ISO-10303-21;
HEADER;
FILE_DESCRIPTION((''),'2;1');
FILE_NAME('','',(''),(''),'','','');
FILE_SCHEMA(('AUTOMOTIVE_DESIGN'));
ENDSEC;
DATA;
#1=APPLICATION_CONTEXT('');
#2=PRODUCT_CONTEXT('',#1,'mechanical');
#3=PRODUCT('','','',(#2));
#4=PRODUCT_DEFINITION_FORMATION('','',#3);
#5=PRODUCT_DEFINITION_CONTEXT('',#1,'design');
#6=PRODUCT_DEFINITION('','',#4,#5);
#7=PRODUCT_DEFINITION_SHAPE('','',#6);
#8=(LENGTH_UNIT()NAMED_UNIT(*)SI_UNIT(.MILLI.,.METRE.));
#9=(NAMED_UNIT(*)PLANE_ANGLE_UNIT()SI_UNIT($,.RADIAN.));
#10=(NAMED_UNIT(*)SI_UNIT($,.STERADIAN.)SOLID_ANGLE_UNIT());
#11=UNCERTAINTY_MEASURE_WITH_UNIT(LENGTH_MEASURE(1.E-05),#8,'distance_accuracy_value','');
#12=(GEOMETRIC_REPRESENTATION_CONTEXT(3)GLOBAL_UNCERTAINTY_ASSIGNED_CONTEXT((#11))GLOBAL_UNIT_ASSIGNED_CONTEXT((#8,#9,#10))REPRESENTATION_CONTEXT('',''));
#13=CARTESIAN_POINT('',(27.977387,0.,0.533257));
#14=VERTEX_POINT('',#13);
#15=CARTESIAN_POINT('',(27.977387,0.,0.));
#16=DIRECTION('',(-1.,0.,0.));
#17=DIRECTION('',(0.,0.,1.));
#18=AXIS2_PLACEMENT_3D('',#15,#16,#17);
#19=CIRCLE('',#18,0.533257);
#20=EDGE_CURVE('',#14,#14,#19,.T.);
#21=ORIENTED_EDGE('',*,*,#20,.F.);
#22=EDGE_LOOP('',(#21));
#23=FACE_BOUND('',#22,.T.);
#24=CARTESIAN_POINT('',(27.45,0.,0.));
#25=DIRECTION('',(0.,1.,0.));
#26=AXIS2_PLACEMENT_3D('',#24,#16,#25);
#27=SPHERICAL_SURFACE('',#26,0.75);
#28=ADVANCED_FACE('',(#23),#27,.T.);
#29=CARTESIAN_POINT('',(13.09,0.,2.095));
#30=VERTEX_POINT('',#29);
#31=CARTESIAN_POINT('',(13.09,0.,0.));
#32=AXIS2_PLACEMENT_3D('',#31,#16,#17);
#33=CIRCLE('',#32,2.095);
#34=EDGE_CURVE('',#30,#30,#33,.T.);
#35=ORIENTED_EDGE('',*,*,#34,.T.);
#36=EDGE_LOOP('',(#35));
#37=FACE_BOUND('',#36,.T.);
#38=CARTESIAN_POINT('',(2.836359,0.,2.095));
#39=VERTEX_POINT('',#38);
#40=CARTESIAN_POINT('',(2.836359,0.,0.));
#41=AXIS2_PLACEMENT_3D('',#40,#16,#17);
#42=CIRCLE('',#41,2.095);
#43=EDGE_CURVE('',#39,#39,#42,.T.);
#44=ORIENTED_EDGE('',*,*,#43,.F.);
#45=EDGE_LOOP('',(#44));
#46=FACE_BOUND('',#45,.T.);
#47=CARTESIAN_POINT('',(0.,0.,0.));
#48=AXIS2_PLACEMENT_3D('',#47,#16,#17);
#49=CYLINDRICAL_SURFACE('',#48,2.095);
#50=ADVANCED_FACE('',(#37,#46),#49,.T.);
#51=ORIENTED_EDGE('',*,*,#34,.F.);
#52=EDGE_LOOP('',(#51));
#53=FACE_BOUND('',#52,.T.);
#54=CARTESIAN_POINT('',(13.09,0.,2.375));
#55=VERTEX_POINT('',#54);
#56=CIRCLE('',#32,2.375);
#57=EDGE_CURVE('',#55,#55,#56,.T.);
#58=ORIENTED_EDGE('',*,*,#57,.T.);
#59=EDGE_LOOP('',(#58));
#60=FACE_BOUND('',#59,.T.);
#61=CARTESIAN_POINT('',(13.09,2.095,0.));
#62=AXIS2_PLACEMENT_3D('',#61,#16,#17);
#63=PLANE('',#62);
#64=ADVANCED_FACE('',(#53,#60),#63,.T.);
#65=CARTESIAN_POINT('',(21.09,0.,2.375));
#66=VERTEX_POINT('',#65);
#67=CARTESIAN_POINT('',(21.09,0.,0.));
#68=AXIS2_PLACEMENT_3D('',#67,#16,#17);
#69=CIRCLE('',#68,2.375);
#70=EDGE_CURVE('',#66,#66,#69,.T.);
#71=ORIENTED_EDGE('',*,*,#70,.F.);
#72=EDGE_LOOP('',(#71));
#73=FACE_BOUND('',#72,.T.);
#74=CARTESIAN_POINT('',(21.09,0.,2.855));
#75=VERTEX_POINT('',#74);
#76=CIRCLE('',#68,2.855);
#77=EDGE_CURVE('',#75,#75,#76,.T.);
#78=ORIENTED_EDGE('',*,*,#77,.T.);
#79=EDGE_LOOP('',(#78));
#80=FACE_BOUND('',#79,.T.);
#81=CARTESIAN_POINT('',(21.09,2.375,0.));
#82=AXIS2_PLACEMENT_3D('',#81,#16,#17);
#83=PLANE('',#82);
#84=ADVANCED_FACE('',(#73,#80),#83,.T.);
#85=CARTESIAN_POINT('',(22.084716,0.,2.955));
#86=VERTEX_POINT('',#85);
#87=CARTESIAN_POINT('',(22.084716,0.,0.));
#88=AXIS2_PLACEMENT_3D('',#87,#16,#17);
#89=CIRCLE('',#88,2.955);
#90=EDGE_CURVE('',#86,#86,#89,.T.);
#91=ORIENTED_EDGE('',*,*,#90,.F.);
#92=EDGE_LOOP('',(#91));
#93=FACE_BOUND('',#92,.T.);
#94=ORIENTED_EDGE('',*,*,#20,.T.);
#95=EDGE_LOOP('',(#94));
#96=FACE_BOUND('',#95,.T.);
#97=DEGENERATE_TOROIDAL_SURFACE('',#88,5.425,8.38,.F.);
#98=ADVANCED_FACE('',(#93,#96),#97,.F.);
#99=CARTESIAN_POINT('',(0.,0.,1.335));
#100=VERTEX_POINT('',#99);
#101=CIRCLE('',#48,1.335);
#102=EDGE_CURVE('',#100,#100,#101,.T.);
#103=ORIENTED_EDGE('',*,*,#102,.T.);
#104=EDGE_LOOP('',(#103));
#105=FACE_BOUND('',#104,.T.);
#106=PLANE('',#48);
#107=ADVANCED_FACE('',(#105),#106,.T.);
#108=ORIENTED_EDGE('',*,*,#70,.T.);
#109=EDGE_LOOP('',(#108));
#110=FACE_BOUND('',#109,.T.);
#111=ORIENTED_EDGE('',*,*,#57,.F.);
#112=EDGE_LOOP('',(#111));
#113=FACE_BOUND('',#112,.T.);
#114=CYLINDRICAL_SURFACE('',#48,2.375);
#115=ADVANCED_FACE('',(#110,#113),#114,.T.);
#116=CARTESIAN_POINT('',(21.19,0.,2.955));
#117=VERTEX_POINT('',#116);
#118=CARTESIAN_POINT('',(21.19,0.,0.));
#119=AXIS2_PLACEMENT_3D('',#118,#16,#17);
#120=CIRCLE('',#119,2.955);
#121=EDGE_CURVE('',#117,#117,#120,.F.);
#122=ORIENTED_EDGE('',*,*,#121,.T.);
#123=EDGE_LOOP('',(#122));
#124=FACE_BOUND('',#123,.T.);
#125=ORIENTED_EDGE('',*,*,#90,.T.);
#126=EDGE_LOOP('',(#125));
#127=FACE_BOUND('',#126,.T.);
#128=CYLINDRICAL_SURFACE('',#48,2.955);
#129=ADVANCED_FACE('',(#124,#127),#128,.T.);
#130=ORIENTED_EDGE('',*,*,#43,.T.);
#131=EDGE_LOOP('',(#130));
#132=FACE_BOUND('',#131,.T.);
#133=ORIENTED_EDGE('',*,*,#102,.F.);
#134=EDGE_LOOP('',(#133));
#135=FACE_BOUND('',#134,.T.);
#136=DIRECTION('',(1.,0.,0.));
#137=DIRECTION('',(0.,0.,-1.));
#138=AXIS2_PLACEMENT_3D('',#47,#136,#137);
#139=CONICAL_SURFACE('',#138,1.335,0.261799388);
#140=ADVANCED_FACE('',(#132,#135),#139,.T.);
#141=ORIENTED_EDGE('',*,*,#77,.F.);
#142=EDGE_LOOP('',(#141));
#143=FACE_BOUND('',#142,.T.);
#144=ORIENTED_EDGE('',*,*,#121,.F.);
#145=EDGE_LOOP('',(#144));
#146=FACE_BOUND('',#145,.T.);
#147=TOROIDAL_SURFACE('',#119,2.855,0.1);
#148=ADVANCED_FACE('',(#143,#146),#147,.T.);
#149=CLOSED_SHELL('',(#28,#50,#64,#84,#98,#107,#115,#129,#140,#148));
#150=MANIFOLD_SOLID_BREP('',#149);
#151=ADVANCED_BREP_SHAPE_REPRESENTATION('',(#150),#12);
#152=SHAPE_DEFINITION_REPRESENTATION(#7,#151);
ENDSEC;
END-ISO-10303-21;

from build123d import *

# Parameters (mm, degrees)
FILLET1_R = 0.1


with BuildPart() as part:
    # Sketch1 → Base-Revolve (revolve)
    with BuildSketch(Plane.XY, mode=Mode.PRIVATE) as base_revolve_sk:
        with BuildLine():
            Line((0, 0), (0, 1.335))
            Line((0, 1.335), (2.836358614, 2.095))
            Line((2.836358614, 2.095), (13.09, 2.095))
            Line((13.09, 2.095), (13.09, 2.375))
            Line((13.09, 2.375), (21.09, 2.375))
            Line((21.09, 2.375), (21.09, 2.955))
            Line((21.09, 2.955), (22.084715758, 2.955))
            ThreePointArc((22.084715758, 2.955), (25.270167636, 2.325954543), (27.977387049, 0.533256881))
            ThreePointArc((27.977387049, 0.533256881), (28.142112811, 0.288928809), (28.2, 0))
            Line((28.2, 0), (0, 0))
        make_face()
    revolve(base_revolve_sk.sketch.rotate(Axis((0, 0, 0), (1, 0, 0)), 90), axis=Axis((0, 0, 0), (1, 0, 0)))

    # Fillet1
    fillet1_edges = [part.edges().sort_by_distance(p)[0] for p in [
        (21.09, 0, -2.955),
    ]]
    fillet(fillet1_edges, radius=FILLET1_R)


solid = part.part
